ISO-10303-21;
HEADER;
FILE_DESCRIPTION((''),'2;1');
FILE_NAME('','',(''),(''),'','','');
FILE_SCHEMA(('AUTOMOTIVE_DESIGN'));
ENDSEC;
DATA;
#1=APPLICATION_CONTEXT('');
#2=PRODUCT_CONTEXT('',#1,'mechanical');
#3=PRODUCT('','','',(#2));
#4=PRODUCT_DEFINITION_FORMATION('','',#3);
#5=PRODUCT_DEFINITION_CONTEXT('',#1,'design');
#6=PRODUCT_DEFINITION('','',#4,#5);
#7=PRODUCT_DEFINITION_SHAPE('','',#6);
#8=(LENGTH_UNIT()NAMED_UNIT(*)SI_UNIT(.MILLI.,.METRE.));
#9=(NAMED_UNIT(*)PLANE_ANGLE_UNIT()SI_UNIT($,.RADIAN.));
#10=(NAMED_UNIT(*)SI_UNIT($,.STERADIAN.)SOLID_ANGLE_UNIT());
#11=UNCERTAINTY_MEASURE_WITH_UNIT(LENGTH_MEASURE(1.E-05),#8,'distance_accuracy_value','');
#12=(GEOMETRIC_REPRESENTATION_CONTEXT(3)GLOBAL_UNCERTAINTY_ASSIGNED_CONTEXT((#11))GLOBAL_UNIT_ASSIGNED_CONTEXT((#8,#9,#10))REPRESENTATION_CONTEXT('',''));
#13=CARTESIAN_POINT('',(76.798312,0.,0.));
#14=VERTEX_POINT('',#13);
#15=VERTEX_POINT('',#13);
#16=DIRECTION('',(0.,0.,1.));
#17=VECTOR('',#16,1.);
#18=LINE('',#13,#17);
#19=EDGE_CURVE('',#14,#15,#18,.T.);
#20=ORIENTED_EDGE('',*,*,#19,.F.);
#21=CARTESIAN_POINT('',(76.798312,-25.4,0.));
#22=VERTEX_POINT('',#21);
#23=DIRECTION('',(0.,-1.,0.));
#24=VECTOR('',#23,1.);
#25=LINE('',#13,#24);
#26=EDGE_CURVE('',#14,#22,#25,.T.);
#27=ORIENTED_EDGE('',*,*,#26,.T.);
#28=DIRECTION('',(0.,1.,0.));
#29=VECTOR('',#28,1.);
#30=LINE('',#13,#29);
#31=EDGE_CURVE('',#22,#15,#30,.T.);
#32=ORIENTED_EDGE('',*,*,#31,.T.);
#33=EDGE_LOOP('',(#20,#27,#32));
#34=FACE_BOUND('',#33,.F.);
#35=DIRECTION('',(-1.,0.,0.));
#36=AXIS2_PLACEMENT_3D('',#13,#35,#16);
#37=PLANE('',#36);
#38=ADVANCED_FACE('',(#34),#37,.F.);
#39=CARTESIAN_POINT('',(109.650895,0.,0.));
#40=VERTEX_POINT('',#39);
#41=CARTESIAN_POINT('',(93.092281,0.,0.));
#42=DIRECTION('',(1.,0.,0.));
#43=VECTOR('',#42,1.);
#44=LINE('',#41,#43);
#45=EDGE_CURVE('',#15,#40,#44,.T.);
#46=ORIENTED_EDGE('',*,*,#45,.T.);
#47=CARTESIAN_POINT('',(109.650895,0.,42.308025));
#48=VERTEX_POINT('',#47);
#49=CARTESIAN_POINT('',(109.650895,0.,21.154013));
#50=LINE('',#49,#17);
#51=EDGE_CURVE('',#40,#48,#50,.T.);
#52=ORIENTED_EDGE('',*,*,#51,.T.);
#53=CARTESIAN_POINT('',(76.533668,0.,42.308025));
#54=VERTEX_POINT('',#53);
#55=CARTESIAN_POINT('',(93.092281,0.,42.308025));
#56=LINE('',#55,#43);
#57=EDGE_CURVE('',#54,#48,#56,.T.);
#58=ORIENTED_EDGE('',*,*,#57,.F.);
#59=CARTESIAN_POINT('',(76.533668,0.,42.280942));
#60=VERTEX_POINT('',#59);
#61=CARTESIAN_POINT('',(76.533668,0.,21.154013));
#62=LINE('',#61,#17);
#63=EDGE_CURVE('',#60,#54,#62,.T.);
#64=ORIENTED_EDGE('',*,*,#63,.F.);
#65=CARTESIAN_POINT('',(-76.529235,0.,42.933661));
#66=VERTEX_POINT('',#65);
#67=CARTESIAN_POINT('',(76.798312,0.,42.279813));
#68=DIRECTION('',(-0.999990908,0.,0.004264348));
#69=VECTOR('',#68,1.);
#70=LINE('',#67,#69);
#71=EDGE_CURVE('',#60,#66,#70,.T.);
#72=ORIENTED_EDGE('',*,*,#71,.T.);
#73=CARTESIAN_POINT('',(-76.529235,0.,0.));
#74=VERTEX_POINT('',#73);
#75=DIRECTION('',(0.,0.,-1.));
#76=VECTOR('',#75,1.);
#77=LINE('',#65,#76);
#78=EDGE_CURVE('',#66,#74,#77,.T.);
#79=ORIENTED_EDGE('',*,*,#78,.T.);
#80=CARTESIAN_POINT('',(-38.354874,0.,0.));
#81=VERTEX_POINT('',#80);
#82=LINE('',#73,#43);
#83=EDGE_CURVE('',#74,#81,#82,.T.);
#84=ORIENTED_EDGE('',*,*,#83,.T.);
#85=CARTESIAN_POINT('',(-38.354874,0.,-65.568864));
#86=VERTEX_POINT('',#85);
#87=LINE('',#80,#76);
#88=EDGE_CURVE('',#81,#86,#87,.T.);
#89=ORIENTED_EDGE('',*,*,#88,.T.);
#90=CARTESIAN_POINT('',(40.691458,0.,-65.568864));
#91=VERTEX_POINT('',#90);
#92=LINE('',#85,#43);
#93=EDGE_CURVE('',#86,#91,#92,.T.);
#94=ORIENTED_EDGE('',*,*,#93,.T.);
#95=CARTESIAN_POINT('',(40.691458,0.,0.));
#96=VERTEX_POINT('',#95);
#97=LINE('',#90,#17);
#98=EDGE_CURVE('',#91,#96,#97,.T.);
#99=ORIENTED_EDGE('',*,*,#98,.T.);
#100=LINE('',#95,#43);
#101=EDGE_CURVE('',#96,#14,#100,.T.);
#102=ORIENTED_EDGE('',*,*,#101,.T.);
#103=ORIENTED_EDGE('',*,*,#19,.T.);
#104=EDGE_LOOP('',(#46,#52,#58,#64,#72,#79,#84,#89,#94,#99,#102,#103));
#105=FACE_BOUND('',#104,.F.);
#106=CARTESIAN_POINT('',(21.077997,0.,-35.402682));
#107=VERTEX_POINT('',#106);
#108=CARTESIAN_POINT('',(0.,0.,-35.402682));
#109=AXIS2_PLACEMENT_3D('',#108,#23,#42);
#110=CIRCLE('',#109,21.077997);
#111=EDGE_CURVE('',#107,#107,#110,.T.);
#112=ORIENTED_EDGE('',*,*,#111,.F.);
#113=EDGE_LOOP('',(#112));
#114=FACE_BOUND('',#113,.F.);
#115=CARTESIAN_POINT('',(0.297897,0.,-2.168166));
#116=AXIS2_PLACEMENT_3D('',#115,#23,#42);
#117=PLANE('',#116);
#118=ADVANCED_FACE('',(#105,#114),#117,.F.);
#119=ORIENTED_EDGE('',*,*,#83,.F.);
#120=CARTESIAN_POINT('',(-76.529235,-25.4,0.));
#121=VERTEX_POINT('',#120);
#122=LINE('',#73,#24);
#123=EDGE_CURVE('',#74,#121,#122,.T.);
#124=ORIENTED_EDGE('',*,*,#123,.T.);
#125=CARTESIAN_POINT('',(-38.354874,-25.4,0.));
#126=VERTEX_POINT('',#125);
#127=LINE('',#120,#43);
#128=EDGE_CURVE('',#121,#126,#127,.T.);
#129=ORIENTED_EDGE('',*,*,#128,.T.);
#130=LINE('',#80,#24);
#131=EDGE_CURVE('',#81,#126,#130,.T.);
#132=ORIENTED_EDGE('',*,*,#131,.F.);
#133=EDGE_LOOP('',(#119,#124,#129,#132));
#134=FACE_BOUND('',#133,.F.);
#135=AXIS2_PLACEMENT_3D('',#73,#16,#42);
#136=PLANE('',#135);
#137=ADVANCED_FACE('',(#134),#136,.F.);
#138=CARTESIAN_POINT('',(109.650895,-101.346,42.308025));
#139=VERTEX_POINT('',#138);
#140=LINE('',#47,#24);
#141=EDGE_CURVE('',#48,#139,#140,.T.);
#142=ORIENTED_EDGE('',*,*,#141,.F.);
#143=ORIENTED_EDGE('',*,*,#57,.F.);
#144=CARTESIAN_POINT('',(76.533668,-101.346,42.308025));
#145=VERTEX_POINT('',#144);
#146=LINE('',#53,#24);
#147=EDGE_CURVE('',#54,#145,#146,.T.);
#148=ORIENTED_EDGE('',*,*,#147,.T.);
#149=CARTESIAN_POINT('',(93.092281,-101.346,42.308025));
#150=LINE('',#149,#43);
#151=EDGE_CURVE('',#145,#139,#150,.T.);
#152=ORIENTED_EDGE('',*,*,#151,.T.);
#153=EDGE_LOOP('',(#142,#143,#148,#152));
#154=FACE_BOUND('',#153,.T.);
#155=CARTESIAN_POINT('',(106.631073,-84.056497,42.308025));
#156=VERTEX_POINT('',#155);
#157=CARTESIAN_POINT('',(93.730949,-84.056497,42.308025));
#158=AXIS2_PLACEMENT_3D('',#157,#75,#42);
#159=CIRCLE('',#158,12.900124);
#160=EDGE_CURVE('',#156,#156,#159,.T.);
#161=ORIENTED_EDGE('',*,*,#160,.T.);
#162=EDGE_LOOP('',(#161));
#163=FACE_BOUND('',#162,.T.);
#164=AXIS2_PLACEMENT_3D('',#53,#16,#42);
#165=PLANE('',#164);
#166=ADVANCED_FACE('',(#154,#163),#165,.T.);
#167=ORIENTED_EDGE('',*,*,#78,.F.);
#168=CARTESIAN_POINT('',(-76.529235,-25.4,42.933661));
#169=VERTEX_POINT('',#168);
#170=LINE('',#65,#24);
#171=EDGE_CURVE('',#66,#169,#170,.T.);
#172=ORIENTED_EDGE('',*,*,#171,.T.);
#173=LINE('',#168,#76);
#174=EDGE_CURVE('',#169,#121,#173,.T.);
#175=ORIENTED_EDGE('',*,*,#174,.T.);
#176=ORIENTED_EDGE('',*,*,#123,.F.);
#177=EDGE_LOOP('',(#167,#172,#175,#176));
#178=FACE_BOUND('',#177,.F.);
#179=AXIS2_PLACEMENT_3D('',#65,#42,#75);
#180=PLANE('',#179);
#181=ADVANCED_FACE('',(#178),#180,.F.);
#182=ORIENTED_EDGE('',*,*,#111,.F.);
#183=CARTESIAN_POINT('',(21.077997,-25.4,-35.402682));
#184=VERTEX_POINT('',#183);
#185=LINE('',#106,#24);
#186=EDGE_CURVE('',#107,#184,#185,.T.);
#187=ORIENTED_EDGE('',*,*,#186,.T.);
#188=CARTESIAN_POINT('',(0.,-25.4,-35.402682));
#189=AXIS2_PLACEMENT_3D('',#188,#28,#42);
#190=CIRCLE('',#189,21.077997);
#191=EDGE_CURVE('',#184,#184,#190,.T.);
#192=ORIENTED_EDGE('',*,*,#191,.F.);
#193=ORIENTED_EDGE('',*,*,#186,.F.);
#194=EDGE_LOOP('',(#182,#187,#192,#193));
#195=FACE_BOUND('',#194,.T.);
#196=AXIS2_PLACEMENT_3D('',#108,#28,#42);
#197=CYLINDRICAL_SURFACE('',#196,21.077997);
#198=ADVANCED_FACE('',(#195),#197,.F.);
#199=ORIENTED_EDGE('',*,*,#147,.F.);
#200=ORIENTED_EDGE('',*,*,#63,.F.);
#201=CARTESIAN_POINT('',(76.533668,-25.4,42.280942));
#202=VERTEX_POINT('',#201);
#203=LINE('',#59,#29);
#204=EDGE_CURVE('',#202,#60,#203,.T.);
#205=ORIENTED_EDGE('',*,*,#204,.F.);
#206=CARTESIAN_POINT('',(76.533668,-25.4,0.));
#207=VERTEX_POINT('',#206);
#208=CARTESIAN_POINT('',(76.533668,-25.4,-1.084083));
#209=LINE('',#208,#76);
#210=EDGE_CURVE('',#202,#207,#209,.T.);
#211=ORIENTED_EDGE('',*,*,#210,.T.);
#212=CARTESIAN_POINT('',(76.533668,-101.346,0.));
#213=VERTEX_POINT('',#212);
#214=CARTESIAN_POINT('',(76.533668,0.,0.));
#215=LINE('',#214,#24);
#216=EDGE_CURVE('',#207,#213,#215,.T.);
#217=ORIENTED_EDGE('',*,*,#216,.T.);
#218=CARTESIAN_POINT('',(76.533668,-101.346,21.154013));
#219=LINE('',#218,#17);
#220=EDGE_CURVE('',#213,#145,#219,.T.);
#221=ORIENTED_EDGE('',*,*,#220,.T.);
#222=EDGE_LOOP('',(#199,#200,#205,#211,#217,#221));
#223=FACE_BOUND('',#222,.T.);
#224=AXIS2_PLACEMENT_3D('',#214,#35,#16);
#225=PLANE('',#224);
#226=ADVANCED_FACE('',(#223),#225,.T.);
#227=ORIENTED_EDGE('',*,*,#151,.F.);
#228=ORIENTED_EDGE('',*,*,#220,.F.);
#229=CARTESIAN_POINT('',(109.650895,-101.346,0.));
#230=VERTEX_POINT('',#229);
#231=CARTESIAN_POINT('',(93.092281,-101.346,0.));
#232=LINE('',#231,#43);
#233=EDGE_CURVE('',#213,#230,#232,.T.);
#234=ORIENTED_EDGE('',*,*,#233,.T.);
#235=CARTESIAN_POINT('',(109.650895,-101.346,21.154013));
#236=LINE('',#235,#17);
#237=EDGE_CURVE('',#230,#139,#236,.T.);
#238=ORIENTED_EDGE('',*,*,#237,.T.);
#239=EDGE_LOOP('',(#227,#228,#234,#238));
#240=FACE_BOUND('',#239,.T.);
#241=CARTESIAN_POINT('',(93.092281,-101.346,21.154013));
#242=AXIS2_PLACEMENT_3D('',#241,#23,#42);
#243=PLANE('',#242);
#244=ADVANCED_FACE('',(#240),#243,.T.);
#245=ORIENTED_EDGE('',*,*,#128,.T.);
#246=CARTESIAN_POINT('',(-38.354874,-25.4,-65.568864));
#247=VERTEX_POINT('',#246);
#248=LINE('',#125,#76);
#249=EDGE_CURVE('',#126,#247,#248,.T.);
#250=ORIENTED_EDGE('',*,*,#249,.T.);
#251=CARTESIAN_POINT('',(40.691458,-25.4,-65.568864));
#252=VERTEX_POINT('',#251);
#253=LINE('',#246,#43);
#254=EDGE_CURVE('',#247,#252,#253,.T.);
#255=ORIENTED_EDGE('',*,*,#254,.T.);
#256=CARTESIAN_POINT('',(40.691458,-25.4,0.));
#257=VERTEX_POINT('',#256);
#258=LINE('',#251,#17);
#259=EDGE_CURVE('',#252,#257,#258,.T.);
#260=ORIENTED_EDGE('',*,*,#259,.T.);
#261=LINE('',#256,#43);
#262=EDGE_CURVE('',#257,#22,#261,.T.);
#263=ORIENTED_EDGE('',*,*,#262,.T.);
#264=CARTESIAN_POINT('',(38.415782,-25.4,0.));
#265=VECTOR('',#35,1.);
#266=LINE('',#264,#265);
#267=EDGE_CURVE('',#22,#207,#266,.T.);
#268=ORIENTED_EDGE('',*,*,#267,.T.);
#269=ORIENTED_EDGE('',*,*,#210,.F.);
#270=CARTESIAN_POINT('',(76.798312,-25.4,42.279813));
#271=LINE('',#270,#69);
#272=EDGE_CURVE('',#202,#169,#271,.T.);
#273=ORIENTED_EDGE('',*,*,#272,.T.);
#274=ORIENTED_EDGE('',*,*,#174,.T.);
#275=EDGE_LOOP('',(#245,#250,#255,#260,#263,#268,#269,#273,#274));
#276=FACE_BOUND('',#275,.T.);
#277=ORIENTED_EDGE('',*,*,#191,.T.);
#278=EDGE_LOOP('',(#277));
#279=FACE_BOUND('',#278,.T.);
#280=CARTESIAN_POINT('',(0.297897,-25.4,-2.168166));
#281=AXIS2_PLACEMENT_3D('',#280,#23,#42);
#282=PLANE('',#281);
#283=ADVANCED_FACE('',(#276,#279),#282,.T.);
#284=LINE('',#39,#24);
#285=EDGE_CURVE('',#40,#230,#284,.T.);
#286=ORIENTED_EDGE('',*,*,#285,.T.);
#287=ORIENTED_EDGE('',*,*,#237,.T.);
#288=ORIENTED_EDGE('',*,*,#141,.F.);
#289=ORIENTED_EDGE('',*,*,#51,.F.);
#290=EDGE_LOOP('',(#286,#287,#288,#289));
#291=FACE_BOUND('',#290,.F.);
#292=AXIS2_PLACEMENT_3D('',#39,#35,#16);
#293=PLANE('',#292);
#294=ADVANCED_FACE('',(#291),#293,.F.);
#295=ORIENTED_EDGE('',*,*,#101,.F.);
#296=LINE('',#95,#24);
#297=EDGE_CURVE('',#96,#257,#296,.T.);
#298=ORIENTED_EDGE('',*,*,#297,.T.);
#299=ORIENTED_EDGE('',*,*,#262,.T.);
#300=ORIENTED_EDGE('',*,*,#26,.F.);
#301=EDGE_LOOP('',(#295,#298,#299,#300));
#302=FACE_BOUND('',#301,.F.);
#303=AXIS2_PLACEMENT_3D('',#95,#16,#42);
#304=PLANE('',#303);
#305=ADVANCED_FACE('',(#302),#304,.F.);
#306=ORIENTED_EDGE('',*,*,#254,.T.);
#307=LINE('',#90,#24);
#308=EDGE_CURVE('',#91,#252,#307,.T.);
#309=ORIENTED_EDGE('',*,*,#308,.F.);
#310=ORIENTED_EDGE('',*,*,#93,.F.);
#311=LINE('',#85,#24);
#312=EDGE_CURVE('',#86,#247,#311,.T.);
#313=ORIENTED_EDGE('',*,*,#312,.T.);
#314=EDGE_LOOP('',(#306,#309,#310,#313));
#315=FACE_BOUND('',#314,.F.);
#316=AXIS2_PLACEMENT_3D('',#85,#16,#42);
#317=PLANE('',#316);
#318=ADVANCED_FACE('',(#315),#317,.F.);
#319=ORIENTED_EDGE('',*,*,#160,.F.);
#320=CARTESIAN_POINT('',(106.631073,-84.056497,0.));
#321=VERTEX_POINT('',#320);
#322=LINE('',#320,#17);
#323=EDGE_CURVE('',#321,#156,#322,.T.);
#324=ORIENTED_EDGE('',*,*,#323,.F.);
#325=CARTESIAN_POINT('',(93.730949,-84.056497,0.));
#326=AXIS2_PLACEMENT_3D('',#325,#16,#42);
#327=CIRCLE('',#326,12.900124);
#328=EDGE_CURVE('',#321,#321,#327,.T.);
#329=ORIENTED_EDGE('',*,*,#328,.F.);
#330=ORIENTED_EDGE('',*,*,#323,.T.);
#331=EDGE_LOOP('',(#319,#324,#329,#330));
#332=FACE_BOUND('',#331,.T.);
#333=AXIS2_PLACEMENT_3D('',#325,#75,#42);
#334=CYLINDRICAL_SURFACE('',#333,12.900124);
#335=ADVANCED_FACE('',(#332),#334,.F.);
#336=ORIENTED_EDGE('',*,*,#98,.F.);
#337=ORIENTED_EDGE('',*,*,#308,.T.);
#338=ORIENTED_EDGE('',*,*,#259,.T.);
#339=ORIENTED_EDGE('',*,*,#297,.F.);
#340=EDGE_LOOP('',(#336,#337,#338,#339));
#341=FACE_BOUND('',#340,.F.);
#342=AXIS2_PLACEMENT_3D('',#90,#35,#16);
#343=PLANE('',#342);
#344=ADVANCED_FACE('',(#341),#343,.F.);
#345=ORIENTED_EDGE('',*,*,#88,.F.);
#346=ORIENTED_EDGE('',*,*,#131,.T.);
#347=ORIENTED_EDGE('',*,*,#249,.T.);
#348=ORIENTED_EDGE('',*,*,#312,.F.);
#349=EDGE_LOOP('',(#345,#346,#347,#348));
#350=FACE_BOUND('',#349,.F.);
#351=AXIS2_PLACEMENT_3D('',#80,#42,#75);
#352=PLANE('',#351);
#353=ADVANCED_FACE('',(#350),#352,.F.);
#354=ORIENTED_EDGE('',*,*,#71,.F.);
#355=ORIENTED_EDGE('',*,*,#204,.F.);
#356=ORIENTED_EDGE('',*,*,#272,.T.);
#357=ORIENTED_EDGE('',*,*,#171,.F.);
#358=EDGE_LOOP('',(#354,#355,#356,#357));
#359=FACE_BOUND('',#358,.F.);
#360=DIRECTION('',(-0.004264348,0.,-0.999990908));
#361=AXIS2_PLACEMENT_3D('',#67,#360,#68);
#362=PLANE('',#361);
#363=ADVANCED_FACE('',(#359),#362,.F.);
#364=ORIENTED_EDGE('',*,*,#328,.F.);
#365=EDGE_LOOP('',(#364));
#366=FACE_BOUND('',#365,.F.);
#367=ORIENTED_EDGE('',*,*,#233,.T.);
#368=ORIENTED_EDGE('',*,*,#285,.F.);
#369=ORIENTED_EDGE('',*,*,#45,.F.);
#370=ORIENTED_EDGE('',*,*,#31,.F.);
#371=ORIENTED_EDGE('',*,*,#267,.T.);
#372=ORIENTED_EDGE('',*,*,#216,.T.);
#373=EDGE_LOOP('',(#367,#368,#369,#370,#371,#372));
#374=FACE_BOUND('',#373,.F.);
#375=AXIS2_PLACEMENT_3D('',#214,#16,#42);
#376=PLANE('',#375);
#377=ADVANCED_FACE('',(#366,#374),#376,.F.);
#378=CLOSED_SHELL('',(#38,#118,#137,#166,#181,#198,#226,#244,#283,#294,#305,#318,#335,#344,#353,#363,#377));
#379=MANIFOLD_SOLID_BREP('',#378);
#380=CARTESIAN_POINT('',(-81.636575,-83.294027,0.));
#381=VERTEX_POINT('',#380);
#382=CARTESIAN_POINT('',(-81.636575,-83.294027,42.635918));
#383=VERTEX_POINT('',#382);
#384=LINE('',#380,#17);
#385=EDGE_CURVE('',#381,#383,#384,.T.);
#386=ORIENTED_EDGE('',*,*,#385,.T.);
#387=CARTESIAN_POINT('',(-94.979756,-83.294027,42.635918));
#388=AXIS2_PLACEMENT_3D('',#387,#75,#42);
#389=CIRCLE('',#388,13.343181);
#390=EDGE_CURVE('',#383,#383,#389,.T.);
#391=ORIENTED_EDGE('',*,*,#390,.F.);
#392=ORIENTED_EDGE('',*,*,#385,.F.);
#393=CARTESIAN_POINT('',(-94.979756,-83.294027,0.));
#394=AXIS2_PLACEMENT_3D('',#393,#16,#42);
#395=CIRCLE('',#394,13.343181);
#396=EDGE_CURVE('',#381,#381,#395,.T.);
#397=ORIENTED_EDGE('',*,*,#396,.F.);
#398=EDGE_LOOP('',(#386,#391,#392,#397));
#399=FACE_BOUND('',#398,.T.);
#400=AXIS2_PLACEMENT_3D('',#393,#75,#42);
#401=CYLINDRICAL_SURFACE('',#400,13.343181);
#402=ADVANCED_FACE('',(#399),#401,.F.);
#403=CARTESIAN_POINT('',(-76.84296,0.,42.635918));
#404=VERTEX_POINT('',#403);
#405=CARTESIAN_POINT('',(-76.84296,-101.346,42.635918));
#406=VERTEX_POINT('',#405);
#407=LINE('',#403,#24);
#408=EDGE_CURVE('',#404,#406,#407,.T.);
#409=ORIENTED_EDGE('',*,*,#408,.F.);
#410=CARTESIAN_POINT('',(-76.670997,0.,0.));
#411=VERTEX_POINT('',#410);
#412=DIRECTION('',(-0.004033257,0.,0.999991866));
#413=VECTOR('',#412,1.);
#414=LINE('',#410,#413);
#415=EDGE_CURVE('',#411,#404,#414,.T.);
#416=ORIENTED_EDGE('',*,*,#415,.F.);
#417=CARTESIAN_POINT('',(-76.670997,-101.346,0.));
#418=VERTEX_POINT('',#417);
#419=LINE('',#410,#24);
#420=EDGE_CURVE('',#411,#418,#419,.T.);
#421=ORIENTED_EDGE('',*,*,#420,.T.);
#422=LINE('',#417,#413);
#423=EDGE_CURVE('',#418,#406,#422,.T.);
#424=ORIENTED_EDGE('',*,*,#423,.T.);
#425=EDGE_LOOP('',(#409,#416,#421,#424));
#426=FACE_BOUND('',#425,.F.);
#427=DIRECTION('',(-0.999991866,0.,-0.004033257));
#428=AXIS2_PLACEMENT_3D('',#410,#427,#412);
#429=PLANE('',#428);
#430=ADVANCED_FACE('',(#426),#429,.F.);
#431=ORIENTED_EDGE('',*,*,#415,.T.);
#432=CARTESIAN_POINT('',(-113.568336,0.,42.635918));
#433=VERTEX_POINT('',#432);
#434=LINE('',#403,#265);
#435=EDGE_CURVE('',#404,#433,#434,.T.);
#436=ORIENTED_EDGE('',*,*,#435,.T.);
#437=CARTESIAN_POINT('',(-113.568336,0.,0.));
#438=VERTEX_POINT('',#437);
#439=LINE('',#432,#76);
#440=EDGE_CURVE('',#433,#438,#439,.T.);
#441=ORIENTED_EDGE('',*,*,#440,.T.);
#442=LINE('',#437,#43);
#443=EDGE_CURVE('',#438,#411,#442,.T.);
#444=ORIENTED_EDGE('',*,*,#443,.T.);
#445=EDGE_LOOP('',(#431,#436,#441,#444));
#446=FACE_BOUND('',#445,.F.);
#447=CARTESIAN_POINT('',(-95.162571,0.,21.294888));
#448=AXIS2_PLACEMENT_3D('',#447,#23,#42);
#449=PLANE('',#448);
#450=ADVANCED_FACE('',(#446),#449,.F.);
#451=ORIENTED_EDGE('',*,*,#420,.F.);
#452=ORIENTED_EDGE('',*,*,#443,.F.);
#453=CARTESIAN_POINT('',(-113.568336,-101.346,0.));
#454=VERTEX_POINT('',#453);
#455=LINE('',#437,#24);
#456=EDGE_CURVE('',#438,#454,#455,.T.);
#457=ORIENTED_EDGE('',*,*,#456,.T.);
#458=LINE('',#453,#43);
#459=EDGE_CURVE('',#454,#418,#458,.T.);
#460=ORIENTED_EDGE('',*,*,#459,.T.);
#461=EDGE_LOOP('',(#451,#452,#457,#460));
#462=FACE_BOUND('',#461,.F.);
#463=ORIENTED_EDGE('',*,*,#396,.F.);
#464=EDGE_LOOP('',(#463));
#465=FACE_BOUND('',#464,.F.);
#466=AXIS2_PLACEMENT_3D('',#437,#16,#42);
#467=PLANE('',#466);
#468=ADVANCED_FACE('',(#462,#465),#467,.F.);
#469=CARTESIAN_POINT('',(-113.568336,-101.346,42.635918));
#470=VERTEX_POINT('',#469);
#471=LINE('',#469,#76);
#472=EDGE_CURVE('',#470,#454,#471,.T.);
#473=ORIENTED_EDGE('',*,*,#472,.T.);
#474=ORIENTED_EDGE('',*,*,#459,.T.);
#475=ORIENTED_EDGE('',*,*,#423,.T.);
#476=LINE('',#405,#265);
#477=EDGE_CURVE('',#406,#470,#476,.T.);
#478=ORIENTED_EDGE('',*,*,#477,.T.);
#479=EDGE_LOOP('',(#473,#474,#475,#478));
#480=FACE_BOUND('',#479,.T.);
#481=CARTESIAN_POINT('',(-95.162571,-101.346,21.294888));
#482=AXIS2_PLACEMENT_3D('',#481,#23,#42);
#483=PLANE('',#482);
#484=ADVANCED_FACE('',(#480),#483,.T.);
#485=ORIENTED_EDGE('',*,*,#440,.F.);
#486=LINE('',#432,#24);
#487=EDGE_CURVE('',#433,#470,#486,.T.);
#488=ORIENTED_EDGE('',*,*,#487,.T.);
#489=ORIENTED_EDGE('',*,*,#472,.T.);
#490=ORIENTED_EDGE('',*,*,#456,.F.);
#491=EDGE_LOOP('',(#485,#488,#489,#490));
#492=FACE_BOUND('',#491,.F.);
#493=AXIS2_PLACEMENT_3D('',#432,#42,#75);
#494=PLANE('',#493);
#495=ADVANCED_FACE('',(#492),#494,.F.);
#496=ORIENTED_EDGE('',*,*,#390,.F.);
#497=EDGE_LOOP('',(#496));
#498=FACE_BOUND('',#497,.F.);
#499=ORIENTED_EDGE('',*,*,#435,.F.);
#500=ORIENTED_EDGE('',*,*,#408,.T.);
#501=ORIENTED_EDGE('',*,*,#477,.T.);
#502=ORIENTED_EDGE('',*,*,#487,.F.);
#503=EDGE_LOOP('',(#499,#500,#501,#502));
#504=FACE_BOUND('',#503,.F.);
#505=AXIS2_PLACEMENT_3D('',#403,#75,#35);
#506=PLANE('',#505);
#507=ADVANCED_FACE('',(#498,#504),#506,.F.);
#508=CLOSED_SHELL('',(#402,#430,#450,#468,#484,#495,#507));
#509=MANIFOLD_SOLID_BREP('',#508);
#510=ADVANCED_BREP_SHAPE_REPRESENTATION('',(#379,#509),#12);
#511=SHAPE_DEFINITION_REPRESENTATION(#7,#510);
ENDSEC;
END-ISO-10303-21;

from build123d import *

# Parameters (mm, degrees)
F1_DEPTH = 25.4
F2_W     = 33.117227
F2_H     = 42.308025
F3_DEPTH = 101.346
F4_R     = 13.343181
F4_R_2   = 12.900124
F5_DEPTH = 128.27
F6_R     = 21.077997
F7_DEPTH = 62.738


with BuildPart() as f1:
    # F0 (on Front) → F1 (new body)
    with BuildSketch(Plane.XZ):
        Polygon((-38.354874, 0), (-38.354874, -65.568864), (40.691458, -65.568864), (40.691458, 0), (76.798312, 0), (76.798312, 42.279813), (-76.529235, 42.933661), (-76.529235, 0), align=None)
    extrude(amount=F1_DEPTH)

    # F2 (on Front) → F3 (join)
    with BuildSketch(Plane.XZ):
        with Locations((93.092281, 21.154013)):
            Rectangle(F2_W, F2_H)
        Polygon((-76.670997, 0), (-76.84296, 42.635918), (-113.568336, 42.635918), (-113.568336, 0), align=None)
    extrude(amount=F3_DEPTH)

    # F4 (on Top) → F5 (cut)
    with BuildSketch(Plane.XY):
        with Locations((-94.979756, -83.294027)):
            Circle(F4_R)
        with Locations((93.730949, -84.056497)):
            Circle(F4_R_2)
    extrude(amount=F5_DEPTH, mode=Mode.SUBTRACT)

    # F6 (on Front) → F7 (cut)
    with BuildSketch(Plane.XZ):
        with Locations((0, -35.402682)):
            Circle(F6_R)
    extrude(amount=F7_DEPTH, mode=Mode.SUBTRACT)


solid = f1.part
